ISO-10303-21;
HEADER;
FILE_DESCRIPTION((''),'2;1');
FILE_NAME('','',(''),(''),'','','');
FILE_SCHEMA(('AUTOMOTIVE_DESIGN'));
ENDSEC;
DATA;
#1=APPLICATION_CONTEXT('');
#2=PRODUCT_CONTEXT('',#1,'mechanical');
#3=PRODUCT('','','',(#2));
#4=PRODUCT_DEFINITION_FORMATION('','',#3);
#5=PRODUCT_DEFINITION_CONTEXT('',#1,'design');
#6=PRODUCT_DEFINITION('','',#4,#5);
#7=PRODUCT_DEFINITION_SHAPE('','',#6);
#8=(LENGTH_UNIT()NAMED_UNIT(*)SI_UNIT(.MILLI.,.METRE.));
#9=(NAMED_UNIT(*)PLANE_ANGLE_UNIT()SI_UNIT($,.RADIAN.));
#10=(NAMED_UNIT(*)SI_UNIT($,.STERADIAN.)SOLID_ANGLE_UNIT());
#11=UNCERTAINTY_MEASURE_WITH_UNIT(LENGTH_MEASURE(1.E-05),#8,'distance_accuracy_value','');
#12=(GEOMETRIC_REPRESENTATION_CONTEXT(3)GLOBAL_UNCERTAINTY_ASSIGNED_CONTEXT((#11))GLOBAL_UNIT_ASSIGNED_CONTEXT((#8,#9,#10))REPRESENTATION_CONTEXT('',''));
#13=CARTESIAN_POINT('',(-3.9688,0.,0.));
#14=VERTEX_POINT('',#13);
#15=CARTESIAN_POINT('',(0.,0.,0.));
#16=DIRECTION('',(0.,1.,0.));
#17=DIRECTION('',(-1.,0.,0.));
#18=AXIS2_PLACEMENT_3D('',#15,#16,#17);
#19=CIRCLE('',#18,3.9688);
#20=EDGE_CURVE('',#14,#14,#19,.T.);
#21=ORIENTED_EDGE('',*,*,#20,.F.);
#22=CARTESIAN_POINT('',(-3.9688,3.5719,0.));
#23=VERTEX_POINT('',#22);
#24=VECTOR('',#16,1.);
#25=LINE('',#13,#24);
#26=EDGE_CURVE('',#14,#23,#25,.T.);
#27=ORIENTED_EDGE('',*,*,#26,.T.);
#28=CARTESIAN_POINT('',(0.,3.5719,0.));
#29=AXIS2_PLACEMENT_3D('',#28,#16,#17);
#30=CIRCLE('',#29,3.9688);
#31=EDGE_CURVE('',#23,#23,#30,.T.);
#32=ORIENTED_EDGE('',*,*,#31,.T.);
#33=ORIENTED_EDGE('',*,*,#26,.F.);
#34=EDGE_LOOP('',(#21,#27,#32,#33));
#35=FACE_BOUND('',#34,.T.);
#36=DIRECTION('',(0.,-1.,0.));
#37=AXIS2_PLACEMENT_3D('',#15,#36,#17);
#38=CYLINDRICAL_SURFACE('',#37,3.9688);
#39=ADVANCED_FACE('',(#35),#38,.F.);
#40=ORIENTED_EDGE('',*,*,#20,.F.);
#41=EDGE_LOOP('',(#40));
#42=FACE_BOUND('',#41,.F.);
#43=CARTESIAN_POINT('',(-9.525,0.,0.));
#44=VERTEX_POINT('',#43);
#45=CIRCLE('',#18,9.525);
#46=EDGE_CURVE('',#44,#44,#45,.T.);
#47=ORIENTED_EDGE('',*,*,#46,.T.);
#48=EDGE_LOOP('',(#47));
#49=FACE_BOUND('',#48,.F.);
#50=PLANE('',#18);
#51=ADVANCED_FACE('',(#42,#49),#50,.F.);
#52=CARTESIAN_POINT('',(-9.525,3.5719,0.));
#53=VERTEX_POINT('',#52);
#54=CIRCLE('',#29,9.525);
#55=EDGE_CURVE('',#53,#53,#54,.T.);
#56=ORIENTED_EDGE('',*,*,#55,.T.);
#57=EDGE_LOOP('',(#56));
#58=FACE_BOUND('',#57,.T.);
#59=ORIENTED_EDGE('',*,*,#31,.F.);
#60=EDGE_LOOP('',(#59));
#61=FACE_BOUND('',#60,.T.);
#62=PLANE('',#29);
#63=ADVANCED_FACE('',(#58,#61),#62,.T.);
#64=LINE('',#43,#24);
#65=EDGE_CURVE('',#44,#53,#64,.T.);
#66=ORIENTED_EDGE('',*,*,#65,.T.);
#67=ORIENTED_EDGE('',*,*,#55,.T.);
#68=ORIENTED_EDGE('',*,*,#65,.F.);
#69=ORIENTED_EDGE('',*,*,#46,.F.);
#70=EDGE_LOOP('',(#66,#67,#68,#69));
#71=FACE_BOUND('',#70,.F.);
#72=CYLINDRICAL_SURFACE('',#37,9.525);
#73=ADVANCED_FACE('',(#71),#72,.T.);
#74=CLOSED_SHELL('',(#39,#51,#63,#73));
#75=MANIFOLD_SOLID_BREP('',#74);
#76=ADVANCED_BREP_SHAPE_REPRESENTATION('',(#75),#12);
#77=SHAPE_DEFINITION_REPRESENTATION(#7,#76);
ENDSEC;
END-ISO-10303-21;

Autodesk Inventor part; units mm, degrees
ref_plane "YZ Plane" through (0, 0, 0) normal (1, 0, 0) x (0, 1, 0)
ref_plane "XZ Plane" through (0, 0, 0) normal (0, 1, 0) x (-1, 0, 0)
ref_plane "XY Plane" through (0, 0, 0) normal (0, 0, 1) x (1, 0, 0)
sketch "Sketch1" plane through (0, 0, 0) normal (0, 1, 0) x (-1, 0, 0)
  circle A0 centre (0, 0) radius 3.9688
  circle A1 centre (0, 0) radius 9.525
  dimension "d0" = 7.9375
  dimension "d1" = 19.05
extrude "Extrusion1" add sketch "Sketch1" along normal blind 3.5719
properties part number "Thrust Bearing" material "Stainless Steel"
